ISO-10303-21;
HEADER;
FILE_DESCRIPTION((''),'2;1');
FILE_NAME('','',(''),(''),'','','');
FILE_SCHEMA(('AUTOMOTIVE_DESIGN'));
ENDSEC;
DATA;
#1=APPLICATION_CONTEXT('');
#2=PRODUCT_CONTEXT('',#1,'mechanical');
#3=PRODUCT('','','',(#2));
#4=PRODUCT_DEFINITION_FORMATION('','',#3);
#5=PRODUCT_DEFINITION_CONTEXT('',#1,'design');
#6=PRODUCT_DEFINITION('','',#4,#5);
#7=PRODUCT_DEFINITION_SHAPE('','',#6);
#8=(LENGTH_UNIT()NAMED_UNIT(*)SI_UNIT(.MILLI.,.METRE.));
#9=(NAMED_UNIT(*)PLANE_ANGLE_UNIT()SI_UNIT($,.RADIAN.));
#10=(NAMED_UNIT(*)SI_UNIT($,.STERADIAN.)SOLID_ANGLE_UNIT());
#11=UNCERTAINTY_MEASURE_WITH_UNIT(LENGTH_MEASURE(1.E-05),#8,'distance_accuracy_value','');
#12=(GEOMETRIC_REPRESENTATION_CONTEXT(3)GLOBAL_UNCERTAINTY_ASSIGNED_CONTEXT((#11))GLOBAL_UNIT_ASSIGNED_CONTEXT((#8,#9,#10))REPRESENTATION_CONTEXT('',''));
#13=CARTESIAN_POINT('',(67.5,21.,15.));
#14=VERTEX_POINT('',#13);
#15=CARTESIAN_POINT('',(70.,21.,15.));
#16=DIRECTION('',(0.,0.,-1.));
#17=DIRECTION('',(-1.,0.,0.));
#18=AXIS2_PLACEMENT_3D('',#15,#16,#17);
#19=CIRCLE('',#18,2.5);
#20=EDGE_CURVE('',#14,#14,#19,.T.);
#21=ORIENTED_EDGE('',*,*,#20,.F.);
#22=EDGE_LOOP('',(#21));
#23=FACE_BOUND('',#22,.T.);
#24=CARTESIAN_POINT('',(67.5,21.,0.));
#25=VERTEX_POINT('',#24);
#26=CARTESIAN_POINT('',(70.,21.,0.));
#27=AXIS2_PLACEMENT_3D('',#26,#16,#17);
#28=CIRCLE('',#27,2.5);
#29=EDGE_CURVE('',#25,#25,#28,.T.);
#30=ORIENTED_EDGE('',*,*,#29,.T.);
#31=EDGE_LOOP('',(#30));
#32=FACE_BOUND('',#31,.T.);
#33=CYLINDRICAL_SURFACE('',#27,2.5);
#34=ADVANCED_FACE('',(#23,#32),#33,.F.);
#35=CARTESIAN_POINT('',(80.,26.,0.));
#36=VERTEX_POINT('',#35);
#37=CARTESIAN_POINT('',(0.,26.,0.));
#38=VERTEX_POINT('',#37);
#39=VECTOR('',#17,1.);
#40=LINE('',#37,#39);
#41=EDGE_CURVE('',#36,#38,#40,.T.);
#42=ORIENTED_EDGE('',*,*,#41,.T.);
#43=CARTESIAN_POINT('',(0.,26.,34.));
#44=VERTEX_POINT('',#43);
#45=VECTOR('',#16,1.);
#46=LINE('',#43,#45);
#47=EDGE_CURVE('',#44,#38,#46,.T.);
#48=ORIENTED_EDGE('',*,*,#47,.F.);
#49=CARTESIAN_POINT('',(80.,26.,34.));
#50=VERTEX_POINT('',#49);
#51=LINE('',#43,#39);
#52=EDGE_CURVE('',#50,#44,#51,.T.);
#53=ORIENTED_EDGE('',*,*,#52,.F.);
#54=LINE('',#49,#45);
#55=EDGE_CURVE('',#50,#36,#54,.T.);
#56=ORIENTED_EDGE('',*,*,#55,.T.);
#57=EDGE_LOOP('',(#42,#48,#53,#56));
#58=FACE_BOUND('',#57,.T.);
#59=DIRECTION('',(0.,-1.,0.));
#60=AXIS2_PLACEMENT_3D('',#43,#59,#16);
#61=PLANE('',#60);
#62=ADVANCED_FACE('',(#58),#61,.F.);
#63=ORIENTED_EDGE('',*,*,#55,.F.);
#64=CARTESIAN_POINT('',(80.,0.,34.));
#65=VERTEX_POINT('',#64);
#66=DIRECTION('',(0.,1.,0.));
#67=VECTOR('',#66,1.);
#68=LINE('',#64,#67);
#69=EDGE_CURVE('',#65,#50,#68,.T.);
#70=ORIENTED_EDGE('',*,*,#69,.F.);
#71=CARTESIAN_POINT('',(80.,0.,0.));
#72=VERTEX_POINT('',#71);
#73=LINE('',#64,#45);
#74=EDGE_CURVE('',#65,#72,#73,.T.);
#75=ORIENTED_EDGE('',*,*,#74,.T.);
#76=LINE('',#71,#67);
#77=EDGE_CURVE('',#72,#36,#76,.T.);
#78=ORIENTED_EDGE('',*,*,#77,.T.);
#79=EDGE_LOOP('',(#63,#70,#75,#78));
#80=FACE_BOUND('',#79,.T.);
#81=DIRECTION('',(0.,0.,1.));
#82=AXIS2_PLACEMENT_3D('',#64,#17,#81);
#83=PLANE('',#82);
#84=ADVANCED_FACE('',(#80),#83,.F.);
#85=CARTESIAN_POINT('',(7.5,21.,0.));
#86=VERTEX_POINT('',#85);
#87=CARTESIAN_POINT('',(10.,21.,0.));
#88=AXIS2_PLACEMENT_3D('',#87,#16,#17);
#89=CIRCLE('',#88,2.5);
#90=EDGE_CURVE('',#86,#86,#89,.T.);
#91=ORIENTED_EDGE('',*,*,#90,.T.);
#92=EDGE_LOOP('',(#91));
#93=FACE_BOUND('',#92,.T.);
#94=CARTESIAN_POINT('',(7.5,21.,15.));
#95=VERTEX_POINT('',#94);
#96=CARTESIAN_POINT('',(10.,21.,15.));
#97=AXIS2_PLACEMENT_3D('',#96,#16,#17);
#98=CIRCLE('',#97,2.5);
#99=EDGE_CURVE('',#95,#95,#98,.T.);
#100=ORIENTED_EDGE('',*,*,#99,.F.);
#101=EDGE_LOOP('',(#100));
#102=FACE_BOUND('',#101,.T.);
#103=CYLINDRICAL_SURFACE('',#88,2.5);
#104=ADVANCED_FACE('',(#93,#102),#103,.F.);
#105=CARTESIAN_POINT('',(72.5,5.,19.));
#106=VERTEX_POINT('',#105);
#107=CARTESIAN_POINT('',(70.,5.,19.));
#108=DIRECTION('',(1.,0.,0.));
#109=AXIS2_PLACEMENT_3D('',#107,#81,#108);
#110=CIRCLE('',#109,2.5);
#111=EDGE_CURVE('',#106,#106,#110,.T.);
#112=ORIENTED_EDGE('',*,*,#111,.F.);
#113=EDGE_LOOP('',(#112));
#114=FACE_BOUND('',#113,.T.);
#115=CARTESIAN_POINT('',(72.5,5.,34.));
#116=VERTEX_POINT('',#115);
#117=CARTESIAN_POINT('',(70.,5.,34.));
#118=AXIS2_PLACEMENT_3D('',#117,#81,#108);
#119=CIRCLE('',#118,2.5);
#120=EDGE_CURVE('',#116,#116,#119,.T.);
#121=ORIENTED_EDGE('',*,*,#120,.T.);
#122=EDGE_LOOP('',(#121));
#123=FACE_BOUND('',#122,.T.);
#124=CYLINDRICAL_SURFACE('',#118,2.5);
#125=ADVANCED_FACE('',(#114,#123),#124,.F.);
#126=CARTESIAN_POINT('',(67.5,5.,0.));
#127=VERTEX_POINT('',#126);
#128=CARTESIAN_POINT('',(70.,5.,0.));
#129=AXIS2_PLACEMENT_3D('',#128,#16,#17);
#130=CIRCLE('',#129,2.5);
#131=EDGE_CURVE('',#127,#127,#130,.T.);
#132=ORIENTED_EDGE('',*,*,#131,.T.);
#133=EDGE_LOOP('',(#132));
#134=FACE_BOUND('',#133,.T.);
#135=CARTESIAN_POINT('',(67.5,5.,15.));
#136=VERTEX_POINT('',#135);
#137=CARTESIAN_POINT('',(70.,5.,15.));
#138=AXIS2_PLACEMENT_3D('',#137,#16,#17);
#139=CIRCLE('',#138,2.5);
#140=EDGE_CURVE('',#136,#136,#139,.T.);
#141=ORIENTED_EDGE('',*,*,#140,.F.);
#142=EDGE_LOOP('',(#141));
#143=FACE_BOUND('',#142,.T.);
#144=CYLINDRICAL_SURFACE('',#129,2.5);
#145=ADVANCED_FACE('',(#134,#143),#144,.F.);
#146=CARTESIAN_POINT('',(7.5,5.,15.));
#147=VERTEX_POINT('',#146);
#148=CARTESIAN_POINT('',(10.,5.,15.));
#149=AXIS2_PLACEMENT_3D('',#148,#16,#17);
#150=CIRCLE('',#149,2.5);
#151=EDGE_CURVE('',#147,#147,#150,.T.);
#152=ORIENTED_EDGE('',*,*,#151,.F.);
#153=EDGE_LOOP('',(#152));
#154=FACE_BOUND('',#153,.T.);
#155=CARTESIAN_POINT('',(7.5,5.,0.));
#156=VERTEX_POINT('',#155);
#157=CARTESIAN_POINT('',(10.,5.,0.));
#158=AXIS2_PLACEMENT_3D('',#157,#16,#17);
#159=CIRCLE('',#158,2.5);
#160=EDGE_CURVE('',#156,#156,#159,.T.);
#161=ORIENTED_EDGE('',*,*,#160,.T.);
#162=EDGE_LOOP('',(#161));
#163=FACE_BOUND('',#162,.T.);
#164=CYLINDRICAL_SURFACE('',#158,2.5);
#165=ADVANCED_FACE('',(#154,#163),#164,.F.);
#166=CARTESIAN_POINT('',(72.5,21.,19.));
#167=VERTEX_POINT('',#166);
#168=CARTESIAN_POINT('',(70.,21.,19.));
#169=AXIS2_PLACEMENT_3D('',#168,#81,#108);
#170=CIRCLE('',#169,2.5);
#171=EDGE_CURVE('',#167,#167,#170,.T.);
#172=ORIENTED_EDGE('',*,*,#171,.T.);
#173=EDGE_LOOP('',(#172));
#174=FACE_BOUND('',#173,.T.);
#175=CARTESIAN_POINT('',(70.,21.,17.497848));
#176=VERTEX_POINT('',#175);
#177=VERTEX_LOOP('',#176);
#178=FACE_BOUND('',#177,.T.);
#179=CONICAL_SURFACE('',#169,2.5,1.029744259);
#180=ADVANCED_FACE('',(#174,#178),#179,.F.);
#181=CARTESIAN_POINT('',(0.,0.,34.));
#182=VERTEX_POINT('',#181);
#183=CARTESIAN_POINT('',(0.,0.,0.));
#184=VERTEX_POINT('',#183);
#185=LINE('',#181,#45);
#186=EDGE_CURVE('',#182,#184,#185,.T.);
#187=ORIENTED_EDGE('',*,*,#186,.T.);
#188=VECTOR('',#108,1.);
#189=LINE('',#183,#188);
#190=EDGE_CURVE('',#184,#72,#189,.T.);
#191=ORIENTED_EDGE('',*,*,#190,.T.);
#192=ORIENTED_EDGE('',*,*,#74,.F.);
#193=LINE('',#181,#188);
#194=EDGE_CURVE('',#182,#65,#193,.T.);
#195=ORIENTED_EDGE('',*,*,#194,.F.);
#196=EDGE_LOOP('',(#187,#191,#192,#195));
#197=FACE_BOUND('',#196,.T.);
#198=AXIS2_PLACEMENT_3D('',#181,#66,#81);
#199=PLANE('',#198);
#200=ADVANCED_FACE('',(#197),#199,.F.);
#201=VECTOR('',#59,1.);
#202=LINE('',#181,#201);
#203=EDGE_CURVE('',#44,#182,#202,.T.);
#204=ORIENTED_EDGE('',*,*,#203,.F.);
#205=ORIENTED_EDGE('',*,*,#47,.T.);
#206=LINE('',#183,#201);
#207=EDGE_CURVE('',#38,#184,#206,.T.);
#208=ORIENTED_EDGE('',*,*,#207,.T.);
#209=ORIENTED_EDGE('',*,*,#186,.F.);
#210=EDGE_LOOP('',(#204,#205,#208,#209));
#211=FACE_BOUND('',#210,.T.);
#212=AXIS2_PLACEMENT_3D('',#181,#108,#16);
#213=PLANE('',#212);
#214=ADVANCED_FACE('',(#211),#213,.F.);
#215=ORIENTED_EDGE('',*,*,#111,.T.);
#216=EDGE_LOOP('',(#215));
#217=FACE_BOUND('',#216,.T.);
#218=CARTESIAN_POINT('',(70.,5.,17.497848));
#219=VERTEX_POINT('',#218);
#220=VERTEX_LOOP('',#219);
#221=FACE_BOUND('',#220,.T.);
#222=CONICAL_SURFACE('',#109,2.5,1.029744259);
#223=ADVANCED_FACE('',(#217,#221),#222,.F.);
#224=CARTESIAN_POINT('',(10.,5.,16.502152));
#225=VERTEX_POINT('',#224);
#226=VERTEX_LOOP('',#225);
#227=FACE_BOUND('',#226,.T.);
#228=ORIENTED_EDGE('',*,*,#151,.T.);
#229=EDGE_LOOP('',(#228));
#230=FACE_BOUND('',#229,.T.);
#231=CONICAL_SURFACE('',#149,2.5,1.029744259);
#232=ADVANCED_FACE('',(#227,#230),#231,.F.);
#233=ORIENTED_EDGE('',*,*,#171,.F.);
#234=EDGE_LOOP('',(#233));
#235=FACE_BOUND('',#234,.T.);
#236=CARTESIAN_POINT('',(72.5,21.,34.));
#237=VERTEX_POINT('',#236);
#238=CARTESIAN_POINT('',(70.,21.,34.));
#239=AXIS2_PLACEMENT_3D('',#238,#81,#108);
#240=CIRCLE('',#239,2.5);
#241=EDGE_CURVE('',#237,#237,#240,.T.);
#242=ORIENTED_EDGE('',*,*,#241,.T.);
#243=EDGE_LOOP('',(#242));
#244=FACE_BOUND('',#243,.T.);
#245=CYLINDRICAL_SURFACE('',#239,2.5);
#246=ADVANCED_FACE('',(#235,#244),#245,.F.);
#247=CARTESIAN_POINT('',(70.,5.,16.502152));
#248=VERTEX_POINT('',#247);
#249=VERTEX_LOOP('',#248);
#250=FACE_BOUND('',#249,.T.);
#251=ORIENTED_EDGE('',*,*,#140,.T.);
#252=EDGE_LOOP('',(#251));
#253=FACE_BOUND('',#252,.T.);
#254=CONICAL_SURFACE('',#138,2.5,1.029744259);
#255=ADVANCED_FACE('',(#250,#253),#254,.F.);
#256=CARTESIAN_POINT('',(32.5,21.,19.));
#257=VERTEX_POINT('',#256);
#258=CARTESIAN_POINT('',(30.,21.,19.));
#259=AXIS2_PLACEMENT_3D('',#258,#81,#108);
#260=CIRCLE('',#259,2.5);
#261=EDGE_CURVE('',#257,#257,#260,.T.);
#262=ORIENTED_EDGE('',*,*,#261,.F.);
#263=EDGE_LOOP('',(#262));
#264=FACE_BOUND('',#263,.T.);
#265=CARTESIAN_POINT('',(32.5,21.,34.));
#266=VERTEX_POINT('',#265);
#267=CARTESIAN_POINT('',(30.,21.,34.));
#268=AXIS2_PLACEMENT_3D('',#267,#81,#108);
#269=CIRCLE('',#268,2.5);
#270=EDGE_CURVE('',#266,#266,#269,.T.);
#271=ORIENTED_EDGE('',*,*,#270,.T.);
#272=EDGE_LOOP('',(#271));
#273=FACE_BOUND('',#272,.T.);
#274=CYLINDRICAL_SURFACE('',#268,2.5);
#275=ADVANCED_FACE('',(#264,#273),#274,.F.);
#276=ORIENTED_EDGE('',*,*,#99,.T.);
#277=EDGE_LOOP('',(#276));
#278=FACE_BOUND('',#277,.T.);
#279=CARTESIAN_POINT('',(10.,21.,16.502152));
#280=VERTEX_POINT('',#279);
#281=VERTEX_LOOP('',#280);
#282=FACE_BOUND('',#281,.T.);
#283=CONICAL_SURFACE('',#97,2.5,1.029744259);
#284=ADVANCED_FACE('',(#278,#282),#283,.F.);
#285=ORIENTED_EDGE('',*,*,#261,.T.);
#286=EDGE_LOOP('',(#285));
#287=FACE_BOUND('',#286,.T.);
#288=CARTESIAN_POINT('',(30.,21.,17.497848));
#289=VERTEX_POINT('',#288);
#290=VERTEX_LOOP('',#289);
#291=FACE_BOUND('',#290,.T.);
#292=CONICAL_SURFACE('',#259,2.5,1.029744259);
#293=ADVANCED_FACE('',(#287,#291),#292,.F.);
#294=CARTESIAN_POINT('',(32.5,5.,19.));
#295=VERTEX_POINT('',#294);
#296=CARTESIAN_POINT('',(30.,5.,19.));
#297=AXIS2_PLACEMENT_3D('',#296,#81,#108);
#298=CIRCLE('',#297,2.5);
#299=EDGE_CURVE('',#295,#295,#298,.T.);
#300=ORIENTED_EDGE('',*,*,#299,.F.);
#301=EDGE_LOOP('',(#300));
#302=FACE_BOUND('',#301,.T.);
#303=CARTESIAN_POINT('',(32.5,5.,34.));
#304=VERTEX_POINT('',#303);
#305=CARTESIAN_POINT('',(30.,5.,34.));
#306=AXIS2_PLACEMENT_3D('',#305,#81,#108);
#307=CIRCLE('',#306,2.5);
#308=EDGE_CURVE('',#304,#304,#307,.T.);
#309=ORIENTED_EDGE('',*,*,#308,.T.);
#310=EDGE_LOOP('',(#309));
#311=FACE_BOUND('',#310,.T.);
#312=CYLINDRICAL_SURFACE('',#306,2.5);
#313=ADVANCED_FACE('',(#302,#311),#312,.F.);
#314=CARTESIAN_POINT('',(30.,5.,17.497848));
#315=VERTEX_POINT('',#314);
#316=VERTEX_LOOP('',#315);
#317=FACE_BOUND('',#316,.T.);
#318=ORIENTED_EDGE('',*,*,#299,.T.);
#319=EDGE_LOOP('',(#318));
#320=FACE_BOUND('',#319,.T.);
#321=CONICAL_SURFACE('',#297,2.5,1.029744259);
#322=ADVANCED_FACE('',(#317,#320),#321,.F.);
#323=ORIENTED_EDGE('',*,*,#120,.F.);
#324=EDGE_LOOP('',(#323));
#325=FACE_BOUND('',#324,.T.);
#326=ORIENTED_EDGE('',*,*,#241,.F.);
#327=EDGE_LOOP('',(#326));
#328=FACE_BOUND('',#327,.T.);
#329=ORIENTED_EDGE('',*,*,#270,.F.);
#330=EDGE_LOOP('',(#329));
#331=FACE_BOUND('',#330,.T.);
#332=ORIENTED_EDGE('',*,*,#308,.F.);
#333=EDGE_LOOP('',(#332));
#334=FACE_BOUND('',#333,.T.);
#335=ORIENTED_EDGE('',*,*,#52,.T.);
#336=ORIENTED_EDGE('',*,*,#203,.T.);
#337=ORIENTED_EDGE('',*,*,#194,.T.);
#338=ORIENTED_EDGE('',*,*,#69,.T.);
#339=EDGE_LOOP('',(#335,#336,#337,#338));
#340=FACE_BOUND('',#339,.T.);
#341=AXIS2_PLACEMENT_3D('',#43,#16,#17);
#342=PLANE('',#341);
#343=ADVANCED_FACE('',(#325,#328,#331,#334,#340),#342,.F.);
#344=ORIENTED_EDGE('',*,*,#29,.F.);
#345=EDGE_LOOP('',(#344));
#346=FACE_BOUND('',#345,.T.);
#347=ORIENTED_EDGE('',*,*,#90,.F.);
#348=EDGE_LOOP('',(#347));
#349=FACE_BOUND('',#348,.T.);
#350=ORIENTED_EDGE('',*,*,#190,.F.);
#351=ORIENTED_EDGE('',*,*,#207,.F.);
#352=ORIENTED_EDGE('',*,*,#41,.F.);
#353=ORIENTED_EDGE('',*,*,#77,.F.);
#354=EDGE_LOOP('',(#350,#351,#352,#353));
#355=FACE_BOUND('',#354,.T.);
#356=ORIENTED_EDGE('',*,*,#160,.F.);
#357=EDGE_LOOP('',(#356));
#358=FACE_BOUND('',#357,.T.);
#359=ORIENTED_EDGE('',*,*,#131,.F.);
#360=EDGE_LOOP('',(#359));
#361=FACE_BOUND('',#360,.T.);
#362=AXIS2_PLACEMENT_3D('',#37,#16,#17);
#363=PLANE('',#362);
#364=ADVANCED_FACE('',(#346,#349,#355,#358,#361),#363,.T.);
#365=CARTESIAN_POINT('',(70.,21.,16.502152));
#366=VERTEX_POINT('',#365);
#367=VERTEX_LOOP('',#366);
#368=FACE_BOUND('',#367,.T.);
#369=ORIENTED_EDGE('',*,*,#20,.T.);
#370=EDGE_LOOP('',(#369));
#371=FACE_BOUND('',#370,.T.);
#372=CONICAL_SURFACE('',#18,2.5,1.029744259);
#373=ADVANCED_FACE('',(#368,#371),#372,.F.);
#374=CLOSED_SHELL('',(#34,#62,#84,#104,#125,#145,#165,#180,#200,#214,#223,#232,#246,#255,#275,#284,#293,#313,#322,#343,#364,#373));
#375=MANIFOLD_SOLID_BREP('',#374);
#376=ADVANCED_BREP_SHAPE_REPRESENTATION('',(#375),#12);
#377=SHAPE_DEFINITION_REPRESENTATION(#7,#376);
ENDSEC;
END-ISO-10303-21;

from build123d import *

# Parameters (mm, degrees)
SKETCH_1_W             = 80
SKETCH_1_H             = 26
EXTRUDE_1_DEPTH        = 34
HOLE_WIZARD_M6_1_D     = 5
HOLE_WIZARD_M6_1_DEPTH = 15
HOLE_WIZARD_M6_1_TIP   = 1.502151548
HOLE_WIZARD_M6_2_D     = 5
HOLE_WIZARD_M6_2_DEPTH = 15
HOLE_WIZARD_M6_2_TIP   = 1.502151548


with BuildPart() as part:
    # 草图1 → 凸台-拉伸1 (new body)
    with BuildSketch(Plane.XY):
        with Locations((40, 13)):
            Rectangle(SKETCH_1_W, SKETCH_1_H)
    extrude(amount=EXTRUDE_1_DEPTH)

    # M6 螺纹孔1
    with Locations(Plane.XY.offset(34)):
        with Locations((70, 21), (70, 5), (30, 21), (30, 5)):
            Hole(HOLE_WIZARD_M6_1_D / 2, depth=HOLE_WIZARD_M6_1_DEPTH)
            with Locations((0, 0, -(HOLE_WIZARD_M6_1_DEPTH + HOLE_WIZARD_M6_1_TIP / 2))):  # 118° drill point
                Cone(0, HOLE_WIZARD_M6_1_D / 2, HOLE_WIZARD_M6_1_TIP, mode=Mode.SUBTRACT)

    # M6 螺纹孔2
    with Locations(Plane(origin=(0, 0, 0), x_dir=(-1, 0, 0), z_dir=(0, 0, -1))):
        with Locations((-10, 5), (-10, 21), (-70, 21), (-70, 5)):
            Hole(HOLE_WIZARD_M6_2_D / 2, depth=HOLE_WIZARD_M6_2_DEPTH)
            with Locations((0, 0, -(HOLE_WIZARD_M6_2_DEPTH + HOLE_WIZARD_M6_2_TIP / 2))):  # 118° drill point
                Cone(0, HOLE_WIZARD_M6_2_D / 2, HOLE_WIZARD_M6_2_TIP, mode=Mode.SUBTRACT)


solid = part.part
